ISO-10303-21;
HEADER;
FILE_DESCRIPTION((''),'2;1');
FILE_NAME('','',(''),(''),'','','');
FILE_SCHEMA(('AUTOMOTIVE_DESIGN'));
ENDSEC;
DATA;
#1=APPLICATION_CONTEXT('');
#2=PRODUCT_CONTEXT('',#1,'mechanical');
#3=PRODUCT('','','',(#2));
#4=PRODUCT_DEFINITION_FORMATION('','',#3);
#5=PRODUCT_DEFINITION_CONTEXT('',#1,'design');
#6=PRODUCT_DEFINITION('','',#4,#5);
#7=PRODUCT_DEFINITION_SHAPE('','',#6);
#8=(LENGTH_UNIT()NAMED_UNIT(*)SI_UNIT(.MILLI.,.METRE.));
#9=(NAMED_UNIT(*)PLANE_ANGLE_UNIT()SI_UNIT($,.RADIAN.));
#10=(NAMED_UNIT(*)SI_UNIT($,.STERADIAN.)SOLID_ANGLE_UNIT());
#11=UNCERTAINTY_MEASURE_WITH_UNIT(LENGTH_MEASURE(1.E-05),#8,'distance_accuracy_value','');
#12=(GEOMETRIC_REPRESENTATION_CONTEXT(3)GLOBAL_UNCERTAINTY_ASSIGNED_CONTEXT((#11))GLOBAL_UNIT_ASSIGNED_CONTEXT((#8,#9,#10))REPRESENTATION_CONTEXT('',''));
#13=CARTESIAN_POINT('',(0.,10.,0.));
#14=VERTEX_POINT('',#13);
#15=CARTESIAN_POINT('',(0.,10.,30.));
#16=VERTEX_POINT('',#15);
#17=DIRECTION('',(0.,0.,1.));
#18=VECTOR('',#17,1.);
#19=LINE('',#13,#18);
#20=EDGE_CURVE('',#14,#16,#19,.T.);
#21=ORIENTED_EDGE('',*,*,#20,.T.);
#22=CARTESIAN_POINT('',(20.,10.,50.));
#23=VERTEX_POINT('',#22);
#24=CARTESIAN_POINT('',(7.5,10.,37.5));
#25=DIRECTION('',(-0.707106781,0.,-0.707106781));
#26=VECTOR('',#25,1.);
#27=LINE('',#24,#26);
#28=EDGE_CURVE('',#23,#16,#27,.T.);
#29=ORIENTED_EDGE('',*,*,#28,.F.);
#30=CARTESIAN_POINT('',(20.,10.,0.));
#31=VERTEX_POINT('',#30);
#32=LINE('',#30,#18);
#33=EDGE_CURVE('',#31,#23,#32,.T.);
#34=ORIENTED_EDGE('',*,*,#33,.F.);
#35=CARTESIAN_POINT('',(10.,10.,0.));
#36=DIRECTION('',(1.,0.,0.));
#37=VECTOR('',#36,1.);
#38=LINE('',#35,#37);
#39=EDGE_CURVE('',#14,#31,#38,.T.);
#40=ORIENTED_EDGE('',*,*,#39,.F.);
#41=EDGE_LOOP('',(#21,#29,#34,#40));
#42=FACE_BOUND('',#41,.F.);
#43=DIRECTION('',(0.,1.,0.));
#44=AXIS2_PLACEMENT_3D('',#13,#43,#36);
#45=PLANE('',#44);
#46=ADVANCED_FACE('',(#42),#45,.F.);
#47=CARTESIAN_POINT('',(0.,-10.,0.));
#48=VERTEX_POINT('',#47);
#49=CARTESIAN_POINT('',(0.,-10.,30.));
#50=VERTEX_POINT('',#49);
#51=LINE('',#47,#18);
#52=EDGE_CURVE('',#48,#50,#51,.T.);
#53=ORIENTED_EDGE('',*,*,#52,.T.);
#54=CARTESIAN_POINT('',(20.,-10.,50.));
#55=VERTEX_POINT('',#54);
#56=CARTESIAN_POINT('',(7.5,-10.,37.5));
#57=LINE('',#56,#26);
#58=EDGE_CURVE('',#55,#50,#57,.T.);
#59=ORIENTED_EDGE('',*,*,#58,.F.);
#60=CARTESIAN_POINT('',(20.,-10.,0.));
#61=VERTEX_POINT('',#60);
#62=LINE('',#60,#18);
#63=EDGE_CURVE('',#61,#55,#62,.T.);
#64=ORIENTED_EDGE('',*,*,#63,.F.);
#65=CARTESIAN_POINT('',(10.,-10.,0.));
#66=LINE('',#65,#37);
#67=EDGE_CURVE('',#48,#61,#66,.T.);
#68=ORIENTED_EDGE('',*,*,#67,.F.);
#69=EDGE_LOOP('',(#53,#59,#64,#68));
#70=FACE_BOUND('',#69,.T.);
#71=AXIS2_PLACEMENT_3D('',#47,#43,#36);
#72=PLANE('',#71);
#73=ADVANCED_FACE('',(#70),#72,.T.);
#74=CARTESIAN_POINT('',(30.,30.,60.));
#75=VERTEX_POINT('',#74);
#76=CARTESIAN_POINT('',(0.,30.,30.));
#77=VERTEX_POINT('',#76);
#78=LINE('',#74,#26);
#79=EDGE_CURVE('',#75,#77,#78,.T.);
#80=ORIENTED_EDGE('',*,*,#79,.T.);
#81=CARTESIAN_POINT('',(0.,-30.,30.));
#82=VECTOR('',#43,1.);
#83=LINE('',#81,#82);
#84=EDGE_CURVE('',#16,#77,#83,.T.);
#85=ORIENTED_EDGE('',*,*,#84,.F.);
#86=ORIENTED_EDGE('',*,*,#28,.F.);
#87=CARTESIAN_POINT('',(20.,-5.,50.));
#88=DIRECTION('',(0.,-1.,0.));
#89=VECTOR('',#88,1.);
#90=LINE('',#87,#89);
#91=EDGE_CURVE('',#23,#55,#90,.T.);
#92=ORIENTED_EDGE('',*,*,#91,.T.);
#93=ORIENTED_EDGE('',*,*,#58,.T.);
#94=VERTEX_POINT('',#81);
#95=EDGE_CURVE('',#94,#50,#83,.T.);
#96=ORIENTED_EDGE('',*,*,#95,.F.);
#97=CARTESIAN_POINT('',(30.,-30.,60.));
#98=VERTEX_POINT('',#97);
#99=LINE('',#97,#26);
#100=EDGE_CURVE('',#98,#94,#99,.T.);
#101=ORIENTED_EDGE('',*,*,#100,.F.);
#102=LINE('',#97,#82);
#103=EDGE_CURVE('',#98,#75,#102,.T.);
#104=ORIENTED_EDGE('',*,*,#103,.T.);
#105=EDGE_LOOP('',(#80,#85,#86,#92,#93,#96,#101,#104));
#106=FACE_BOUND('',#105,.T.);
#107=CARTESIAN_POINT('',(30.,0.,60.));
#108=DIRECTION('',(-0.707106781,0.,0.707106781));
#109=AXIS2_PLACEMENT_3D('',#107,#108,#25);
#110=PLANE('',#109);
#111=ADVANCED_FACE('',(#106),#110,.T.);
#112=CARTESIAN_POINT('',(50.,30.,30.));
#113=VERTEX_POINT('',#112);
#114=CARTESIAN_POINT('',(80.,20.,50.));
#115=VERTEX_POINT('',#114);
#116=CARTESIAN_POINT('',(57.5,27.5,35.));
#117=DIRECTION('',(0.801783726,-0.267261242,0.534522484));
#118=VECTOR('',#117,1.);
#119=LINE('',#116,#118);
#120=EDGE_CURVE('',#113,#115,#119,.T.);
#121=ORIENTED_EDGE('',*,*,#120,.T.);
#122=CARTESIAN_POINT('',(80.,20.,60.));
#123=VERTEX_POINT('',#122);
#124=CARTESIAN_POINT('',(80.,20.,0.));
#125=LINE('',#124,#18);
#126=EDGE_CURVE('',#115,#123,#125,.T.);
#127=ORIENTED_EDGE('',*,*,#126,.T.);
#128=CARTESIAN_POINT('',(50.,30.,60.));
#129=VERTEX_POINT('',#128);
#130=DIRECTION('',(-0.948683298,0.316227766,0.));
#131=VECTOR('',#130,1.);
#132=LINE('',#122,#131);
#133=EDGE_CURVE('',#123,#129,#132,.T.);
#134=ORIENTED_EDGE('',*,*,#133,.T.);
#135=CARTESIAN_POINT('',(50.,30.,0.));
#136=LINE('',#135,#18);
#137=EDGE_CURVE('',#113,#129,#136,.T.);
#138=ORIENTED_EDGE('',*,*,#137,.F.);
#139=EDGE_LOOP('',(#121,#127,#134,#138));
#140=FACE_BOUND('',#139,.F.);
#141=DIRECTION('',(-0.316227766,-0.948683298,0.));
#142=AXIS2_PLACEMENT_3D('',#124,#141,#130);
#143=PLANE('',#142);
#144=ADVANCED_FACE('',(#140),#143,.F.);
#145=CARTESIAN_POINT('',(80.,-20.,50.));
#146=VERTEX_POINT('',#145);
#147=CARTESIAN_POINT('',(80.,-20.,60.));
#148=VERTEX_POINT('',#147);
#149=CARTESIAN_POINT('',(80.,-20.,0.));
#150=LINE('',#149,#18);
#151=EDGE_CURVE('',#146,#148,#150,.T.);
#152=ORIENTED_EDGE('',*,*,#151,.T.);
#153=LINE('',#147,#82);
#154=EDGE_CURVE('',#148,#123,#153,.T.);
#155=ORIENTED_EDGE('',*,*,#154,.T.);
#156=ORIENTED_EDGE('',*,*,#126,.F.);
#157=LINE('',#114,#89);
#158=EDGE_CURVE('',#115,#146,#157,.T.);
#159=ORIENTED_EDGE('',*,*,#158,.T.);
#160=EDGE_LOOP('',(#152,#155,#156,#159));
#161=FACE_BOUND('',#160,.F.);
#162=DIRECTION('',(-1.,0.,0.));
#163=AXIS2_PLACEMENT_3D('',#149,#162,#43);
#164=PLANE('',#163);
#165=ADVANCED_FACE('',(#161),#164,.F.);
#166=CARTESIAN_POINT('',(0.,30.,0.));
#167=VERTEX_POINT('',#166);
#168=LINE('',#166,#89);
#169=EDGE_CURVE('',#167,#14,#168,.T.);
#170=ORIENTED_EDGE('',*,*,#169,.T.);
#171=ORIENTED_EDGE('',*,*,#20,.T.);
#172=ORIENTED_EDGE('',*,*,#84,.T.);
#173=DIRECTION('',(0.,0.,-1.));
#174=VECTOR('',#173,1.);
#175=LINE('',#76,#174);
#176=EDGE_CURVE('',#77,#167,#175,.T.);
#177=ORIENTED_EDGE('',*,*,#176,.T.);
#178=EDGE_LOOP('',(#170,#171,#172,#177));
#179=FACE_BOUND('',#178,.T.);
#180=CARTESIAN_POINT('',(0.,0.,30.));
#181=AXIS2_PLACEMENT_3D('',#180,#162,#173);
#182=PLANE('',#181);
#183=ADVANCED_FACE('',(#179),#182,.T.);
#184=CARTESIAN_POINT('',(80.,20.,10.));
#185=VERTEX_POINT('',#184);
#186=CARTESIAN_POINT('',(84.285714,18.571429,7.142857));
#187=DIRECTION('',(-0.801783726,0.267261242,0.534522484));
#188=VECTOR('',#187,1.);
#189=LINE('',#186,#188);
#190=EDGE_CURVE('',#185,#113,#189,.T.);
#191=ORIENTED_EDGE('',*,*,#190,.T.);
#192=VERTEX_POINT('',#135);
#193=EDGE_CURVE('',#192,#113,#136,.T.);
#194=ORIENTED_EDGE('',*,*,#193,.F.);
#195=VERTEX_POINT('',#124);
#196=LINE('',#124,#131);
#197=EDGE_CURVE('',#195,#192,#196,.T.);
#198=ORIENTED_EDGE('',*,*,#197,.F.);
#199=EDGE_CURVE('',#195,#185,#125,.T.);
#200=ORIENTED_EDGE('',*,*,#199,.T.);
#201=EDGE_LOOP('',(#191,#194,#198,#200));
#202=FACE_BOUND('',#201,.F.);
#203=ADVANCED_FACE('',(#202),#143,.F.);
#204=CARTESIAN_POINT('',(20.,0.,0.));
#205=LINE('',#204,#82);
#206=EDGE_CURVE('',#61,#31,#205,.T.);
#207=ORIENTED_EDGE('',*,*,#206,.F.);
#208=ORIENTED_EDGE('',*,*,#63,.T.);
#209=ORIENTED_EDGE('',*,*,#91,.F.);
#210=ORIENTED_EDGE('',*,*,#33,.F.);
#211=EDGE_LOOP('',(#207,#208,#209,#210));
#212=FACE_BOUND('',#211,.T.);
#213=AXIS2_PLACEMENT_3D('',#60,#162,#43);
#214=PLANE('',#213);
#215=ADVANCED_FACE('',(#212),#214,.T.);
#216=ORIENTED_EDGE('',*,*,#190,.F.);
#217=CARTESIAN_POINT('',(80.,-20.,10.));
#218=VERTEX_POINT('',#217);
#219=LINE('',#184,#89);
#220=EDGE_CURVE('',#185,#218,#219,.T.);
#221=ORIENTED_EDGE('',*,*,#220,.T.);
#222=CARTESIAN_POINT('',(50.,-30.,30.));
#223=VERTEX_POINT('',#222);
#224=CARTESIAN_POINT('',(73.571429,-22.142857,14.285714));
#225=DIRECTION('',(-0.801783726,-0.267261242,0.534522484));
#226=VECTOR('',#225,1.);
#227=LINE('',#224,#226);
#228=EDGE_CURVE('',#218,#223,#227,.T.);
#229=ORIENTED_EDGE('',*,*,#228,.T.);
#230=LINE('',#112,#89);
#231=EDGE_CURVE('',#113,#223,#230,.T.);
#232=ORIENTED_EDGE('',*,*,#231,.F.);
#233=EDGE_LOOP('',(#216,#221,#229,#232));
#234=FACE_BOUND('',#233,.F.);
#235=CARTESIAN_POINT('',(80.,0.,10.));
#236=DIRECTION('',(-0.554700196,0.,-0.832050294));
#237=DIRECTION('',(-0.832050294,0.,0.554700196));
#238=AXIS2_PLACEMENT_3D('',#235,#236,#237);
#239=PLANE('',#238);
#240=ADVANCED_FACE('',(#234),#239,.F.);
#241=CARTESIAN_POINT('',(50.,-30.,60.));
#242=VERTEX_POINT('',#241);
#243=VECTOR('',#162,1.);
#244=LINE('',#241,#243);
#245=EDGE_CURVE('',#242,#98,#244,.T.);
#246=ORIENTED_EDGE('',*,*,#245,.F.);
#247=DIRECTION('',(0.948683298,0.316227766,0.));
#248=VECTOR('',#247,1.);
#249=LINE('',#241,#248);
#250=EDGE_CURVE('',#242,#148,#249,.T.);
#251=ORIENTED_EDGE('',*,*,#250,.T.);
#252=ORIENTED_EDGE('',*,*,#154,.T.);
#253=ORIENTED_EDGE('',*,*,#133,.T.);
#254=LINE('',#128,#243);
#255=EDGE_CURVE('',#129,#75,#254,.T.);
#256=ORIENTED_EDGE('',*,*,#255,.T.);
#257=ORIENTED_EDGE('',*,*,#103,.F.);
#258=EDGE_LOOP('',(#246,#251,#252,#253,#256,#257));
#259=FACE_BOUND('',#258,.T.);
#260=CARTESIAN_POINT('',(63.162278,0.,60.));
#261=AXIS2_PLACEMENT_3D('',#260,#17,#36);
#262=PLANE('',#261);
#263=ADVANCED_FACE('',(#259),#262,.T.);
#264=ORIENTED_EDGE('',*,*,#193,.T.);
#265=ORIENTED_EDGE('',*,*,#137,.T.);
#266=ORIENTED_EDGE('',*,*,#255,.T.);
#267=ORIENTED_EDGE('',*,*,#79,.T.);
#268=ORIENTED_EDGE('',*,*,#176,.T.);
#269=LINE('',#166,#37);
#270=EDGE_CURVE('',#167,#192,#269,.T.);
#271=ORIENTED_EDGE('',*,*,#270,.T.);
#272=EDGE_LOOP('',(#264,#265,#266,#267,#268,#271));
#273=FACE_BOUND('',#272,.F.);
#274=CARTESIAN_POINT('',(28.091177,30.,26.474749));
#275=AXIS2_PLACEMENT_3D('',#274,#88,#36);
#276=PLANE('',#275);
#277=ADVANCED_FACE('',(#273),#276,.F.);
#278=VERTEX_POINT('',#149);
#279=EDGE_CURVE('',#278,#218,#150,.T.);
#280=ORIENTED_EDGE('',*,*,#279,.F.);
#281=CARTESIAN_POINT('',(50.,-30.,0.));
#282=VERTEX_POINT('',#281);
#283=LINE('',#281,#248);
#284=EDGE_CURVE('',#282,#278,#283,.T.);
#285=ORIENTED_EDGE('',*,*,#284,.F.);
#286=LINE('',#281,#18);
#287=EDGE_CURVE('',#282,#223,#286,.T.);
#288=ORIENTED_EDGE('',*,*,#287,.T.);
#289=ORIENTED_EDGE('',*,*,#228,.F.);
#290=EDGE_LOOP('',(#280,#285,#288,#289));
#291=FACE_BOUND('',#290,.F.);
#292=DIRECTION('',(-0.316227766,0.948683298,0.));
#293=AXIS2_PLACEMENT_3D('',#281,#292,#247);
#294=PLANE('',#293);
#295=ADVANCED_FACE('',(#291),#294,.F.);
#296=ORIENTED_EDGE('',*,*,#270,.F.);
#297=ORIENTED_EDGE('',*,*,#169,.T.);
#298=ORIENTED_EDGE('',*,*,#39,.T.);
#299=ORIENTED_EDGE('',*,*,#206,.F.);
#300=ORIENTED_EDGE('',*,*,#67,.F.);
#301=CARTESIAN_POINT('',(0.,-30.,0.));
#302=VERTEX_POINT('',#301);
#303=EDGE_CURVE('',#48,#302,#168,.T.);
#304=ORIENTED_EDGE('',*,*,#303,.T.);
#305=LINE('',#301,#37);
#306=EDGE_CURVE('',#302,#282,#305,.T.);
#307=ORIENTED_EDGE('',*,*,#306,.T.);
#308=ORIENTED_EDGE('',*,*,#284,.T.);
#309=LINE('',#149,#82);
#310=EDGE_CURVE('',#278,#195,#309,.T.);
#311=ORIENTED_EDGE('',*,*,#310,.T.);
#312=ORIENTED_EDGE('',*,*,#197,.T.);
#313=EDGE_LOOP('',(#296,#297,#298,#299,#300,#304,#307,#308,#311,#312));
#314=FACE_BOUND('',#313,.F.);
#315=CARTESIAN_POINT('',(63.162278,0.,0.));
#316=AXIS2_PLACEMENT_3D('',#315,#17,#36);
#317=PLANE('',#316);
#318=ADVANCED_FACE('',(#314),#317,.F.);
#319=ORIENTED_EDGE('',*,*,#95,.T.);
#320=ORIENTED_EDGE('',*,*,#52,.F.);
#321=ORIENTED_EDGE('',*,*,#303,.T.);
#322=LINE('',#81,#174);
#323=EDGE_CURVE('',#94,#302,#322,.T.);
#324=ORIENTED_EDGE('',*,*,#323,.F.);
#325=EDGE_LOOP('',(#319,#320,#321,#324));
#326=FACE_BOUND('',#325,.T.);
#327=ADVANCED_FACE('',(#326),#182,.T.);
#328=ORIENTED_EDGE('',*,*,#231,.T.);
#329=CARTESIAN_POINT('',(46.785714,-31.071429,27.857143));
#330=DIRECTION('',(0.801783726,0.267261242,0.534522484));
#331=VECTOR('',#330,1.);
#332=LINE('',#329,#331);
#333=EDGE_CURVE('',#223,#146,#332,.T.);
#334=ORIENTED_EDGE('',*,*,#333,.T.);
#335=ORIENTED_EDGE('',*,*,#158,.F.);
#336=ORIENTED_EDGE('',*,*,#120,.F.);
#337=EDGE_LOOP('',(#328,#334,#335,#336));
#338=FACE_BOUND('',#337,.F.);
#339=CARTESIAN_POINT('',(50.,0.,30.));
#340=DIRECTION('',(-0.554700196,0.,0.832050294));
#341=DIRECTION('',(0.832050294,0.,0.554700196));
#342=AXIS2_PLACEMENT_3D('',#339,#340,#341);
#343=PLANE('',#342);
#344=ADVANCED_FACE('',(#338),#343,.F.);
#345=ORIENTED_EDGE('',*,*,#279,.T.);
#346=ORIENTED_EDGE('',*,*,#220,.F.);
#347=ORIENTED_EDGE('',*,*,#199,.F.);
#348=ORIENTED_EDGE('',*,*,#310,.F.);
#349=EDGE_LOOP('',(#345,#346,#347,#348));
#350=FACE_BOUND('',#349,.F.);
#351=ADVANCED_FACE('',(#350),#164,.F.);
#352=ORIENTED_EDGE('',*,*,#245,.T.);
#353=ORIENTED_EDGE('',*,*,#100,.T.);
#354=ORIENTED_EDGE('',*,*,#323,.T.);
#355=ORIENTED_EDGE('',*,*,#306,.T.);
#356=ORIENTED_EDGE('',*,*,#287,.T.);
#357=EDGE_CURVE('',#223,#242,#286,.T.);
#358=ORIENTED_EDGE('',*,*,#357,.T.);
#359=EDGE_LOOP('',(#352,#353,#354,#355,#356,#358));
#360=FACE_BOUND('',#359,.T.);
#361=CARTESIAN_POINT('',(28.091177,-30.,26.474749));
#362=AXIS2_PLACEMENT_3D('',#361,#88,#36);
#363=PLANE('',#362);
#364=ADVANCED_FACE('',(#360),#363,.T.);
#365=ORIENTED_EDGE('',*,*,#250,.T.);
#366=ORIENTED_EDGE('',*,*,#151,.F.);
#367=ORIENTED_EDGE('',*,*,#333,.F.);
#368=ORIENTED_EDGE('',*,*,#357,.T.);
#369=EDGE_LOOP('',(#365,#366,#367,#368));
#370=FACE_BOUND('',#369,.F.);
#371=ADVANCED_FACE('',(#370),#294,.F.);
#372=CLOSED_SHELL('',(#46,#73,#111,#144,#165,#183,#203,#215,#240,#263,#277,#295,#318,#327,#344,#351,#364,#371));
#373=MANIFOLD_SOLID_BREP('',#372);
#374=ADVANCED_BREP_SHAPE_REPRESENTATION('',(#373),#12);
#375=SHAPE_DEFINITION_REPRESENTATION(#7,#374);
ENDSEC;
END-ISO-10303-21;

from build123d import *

# Parameters (mm, degrees)
PAD_DEPTH         = 30
PAD001_DEPTH      = 60
POCKET_DEPTH      = 30.001
POCKET_DEPTH_BACK = -30.001
SKETCH003_W       = 20
SKETCH003_H       = 20
POCKET001_DEPTH   = 60.001


with BuildPart() as part:
    # Sketch → Pad (new body, symmetric)
    with BuildSketch(Plane.XZ):
        Polygon((0, 30), (0, 0), (50, 0), (50, 60), (30, 60), align=None)
    extrude(amount=PAD_DEPTH, both=True)

    # Sketch001 → Pad001 (join)
    with BuildSketch(Plane.XY):
        Polygon((50, 30), (50, -30), (80, -20), (80, 20), align=None)
    extrude(amount=PAD001_DEPTH)

    # Sketch002 → Pocket (cut, two sides)
    with BuildSketch(Plane.XZ) as pocket_sk:
        Polygon((80, 50), (80, 10), (50, 30), align=None)
    extrude(amount=-POCKET_DEPTH, mode=Mode.SUBTRACT)
    extrude(pocket_sk.sketch, amount=-POCKET_DEPTH_BACK, mode=Mode.SUBTRACT)

    # Sketch003 → Pocket001 (cut, through all)
    with BuildSketch(Plane.XY):
        with Locations((10, 0)):
            Rectangle(SKETCH003_W, SKETCH003_H)
    extrude(amount=POCKET001_DEPTH, mode=Mode.SUBTRACT)


solid = part.part
